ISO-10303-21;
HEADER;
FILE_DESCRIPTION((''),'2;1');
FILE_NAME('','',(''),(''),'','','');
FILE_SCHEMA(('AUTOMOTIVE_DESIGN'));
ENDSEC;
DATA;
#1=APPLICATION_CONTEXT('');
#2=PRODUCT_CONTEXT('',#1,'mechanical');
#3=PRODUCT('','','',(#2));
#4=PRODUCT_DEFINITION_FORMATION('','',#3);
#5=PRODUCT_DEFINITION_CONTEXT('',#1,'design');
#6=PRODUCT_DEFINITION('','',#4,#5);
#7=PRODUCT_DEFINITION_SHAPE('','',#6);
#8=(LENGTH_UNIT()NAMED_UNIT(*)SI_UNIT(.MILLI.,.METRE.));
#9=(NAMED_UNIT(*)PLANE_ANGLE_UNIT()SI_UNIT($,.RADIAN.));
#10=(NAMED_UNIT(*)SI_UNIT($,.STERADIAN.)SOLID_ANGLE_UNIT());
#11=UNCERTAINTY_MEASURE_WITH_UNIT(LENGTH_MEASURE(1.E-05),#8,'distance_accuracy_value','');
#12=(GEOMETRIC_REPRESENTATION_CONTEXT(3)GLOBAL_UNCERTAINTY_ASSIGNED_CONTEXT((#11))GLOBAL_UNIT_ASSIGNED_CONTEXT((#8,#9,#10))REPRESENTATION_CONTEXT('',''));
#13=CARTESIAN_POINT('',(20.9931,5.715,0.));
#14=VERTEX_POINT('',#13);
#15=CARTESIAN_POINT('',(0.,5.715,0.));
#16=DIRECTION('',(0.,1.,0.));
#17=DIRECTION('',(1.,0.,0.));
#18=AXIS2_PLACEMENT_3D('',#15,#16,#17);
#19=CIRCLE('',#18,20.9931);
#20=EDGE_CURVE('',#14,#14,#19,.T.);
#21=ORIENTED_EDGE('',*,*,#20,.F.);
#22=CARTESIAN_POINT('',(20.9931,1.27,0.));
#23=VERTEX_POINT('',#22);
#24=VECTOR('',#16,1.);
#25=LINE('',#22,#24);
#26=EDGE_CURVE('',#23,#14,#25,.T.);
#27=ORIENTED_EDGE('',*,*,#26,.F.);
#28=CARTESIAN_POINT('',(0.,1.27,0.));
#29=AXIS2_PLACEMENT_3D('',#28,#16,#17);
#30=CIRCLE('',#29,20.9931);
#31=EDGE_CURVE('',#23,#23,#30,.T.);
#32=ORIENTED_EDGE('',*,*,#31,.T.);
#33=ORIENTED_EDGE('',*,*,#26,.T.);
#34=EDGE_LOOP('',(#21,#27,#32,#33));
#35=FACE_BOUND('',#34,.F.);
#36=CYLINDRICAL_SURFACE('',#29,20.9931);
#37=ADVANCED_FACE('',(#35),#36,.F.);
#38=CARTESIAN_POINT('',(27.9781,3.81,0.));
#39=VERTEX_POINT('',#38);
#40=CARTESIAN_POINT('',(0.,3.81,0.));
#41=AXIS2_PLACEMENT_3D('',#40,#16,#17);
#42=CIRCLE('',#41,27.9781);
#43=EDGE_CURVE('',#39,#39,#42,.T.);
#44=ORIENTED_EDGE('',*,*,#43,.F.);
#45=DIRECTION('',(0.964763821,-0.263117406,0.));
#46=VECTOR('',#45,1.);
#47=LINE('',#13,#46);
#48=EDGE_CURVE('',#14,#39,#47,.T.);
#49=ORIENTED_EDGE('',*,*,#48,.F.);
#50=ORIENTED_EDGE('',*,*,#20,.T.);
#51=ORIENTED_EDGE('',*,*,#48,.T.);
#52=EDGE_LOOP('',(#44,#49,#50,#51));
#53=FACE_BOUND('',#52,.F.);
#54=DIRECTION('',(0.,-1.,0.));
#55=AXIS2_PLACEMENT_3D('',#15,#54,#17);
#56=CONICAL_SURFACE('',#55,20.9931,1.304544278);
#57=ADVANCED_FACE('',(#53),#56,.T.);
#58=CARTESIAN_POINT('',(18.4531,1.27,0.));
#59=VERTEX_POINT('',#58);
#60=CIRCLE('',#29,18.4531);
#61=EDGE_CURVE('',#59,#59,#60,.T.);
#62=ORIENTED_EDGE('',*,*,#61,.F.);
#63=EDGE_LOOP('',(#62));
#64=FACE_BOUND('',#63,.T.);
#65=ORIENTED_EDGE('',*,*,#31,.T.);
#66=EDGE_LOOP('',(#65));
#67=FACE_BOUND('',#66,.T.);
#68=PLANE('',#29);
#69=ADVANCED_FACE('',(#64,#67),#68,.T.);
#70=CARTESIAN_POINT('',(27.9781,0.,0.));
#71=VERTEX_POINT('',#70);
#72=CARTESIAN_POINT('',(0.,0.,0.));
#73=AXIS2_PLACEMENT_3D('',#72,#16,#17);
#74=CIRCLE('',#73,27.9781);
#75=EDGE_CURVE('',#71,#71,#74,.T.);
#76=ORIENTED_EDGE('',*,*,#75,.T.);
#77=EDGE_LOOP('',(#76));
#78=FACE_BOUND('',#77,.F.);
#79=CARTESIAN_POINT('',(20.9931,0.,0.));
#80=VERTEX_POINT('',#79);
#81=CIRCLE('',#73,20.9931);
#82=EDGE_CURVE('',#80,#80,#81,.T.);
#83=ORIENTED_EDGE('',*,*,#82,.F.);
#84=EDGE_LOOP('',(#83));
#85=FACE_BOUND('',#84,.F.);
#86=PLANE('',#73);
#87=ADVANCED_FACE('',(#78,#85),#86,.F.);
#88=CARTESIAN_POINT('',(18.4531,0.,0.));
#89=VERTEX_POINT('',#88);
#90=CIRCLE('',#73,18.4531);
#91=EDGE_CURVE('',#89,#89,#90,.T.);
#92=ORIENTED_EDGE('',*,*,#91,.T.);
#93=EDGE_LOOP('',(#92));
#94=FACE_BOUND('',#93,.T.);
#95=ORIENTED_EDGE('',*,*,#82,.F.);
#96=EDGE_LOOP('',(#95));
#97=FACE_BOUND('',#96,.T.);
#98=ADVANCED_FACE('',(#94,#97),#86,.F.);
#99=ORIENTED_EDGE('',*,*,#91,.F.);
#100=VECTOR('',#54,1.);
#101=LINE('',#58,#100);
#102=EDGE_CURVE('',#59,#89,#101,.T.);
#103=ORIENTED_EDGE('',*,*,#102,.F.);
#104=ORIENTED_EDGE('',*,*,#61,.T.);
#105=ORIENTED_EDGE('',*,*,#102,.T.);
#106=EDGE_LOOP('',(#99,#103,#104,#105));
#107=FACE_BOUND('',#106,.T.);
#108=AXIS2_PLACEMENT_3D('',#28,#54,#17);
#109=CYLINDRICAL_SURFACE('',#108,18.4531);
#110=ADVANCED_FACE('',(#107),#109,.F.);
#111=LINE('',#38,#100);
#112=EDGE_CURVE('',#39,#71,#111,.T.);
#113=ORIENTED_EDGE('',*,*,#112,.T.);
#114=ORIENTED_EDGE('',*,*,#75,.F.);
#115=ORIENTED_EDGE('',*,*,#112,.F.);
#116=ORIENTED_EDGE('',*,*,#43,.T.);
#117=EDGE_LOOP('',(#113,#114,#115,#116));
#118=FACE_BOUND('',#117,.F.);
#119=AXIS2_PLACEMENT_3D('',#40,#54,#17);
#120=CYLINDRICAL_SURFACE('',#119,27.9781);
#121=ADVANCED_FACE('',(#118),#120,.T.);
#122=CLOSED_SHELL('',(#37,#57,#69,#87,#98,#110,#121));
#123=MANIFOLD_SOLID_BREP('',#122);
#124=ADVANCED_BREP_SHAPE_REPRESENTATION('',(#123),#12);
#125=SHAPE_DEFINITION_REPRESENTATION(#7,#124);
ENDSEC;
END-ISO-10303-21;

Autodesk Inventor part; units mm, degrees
ref_plane "YZ Plane" through (0, 0, 0) normal (1, 0, 0) x (0, 1, 0)
ref_plane "XZ Plane" through (0, 0, 0) normal (0, 1, 0) x (-1, 0, 0)
ref_plane "XY Plane" through (0, 0, 0) normal (0, 0, 1) x (1, 0, 0)
sketch "Sketch1" plane through (0, 0, 0) normal (0, 0, 1) x (1, 0, 0)
  line L0 (0, 0) -> (0, 8.6646) construction
  line L1 (20.9931, 1.27) -> (20.9931, 5.715)
  line L2 (20.9931, 5.715) -> (27.9781, 3.81)
  line L3 (27.9781, 3.81) -> (27.9781, 0)
  line L4 (27.9781, 0) -> (20.9931, 0)
  line L5 (20.9931, 1.27) -> (18.4531, 1.27)
  line L6 (18.4531, 1.27) -> (18.4531, 0)
  line L7 (18.4531, 0) -> (20.9931, 0)
  dimension "d0" = 20.9931
  dimension "d1" = 4.445
  dimension "d2" = 1.27
  dimension "d3" = 2.54
  dimension "d4" = 3.81
  dimension "d5" = 6.985
revolve "Revolution1" add sketch "Sketch1" angle 360 about axis through (0, 0, 0) along (0, 1, 0)
properties part number "Team Pin Base"
